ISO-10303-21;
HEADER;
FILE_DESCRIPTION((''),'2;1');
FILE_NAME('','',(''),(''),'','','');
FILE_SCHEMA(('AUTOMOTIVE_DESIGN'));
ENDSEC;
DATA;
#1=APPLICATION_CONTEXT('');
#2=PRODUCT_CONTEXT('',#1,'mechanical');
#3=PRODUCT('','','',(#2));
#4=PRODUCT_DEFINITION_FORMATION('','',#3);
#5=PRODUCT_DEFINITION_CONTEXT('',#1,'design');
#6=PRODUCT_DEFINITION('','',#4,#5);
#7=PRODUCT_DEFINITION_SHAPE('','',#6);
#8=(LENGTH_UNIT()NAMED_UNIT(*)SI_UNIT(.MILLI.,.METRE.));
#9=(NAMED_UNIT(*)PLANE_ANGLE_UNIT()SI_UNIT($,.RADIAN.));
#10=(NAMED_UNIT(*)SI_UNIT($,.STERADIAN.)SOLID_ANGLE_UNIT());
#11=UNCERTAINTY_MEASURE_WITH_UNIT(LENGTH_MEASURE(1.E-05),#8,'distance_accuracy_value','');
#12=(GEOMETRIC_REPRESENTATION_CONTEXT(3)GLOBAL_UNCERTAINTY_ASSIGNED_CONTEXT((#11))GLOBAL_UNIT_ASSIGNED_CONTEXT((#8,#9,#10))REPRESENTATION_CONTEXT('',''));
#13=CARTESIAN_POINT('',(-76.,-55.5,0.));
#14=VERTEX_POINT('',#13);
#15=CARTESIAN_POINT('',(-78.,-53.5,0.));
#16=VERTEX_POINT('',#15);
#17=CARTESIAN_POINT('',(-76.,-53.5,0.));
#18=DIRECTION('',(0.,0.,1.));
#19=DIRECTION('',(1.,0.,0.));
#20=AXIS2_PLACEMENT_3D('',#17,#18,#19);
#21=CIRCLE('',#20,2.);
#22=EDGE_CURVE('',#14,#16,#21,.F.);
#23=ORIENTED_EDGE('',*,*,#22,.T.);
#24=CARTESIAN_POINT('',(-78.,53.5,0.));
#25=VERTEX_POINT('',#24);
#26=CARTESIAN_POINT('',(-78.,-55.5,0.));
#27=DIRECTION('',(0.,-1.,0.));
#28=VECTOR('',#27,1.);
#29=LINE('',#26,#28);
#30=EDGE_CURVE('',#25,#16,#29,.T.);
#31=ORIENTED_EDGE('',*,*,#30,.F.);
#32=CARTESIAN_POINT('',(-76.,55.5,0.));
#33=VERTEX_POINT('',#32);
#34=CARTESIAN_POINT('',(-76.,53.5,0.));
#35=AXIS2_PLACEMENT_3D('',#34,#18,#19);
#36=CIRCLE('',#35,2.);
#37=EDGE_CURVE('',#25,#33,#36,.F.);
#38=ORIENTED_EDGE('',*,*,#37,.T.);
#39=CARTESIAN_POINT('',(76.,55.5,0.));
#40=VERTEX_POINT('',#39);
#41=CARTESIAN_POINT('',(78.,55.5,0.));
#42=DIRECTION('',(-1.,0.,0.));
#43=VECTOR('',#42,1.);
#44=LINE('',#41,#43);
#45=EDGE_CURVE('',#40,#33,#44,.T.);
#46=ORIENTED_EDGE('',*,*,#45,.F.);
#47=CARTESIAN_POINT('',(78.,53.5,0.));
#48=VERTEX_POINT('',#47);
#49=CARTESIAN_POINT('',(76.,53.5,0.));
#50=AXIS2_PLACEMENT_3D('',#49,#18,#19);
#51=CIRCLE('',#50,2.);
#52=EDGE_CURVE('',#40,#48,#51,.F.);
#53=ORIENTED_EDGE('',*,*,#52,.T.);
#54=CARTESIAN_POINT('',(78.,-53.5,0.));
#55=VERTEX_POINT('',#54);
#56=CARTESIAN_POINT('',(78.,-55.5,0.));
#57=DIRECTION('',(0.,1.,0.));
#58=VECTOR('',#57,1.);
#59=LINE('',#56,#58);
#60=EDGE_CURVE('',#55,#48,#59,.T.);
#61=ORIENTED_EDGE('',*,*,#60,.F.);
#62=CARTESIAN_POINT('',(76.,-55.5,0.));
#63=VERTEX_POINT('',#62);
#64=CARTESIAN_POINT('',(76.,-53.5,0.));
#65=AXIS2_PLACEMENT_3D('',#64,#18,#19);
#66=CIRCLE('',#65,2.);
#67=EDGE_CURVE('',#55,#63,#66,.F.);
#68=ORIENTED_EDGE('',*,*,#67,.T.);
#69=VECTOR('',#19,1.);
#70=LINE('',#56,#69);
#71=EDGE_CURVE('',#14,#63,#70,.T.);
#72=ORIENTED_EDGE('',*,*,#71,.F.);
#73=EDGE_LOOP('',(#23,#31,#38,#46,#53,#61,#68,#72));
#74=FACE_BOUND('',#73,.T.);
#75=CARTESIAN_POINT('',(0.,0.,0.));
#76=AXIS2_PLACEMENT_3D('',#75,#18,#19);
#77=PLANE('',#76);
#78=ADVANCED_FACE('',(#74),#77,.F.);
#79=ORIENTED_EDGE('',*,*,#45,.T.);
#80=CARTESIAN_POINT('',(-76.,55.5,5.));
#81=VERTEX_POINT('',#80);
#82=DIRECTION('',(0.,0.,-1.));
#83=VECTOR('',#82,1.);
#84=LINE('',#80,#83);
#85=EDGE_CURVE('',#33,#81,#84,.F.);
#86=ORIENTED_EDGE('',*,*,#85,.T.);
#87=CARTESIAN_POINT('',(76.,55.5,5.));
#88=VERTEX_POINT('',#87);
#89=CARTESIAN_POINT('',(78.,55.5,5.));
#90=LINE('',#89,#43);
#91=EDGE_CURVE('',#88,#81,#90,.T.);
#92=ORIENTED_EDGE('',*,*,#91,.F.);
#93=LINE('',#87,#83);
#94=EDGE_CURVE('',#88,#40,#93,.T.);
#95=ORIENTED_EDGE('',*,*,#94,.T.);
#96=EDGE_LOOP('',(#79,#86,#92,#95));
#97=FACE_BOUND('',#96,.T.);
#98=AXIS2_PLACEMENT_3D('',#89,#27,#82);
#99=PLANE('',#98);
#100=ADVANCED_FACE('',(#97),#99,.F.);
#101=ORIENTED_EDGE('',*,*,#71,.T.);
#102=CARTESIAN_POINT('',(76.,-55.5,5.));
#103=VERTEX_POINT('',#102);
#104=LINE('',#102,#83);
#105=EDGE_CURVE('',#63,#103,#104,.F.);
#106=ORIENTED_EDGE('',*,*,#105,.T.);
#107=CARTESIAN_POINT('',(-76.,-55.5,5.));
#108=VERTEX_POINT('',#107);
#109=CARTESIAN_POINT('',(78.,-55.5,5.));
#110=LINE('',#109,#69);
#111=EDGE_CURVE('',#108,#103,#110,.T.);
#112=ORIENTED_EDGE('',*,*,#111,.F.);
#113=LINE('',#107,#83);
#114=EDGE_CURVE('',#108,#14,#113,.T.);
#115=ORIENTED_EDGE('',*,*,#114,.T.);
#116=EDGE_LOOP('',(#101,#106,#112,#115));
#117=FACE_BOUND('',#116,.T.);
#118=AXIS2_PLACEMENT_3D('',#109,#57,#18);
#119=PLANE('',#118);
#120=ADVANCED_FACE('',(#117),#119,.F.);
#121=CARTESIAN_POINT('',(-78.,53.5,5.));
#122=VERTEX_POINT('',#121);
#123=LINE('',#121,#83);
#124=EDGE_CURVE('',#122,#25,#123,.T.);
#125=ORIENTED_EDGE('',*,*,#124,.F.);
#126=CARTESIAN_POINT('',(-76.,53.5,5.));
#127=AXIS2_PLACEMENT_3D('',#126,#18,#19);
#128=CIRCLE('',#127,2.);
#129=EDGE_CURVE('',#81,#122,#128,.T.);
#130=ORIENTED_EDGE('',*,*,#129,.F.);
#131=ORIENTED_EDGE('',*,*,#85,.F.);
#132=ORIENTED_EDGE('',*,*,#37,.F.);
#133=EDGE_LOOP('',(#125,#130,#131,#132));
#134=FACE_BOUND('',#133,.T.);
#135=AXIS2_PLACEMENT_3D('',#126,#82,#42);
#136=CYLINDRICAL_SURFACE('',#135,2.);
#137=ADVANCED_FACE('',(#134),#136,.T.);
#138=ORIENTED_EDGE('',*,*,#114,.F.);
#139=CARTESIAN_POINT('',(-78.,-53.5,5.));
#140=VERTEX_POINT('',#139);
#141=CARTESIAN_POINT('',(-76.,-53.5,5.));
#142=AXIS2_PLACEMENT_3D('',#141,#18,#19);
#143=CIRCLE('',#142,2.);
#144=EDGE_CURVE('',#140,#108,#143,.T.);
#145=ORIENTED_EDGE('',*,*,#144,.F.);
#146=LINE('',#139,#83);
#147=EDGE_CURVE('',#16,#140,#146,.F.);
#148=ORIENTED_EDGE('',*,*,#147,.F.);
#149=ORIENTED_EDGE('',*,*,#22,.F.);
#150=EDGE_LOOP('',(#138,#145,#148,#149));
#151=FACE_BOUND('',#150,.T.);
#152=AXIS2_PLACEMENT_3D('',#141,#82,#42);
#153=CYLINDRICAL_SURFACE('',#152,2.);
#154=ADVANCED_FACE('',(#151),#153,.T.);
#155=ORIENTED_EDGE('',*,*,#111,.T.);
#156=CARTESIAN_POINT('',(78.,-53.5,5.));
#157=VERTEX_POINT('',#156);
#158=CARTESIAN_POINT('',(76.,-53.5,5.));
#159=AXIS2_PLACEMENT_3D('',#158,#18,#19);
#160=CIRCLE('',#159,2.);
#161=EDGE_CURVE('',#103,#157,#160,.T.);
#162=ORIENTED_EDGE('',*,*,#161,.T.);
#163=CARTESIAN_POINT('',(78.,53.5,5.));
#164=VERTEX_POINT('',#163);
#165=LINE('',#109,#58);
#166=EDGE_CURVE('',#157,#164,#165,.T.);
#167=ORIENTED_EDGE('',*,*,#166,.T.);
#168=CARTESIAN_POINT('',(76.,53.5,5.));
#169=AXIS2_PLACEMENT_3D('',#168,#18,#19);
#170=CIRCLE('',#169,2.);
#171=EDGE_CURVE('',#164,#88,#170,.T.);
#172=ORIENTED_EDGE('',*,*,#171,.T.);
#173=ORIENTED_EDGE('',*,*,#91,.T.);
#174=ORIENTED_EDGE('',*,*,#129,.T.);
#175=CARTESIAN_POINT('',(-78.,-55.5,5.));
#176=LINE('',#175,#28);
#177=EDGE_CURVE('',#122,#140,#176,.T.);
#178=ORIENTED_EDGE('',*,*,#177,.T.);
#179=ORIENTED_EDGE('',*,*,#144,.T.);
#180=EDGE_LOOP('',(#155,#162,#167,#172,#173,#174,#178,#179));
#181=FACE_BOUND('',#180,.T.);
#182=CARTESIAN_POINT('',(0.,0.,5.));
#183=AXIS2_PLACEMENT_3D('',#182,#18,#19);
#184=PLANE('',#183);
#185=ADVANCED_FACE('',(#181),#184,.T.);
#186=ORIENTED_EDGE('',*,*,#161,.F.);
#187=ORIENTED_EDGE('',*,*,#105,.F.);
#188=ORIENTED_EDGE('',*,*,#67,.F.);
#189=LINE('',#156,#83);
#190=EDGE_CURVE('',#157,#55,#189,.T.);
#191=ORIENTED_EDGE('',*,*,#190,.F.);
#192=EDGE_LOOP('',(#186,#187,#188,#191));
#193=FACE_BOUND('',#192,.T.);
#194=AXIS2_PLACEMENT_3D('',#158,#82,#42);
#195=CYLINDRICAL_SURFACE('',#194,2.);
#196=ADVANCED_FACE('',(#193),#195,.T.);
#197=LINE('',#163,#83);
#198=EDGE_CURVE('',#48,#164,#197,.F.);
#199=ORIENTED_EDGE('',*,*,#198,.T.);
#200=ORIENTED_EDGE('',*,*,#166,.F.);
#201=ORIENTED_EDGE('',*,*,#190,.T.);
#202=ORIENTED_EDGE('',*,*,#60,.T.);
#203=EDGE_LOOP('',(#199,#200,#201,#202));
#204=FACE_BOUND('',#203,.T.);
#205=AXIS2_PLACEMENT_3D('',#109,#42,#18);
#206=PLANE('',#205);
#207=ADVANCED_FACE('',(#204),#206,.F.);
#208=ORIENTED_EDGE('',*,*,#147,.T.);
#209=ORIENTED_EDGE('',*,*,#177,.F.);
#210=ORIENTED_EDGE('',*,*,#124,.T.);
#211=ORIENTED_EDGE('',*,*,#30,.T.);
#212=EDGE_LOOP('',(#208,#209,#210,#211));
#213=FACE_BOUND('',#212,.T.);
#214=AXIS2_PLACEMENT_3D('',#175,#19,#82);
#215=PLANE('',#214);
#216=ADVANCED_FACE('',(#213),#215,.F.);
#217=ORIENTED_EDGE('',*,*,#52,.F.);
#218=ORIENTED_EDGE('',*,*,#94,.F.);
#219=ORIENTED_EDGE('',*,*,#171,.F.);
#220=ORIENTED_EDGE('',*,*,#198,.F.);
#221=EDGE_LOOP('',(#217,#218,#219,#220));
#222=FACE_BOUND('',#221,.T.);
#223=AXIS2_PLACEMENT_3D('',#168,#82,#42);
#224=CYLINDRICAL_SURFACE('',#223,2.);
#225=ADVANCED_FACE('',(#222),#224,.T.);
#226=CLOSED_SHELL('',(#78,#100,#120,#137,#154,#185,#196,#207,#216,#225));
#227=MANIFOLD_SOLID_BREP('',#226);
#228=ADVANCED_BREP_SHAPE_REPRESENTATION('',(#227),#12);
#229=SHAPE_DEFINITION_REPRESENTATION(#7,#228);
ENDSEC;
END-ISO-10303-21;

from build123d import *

# Parameters (mm, degrees)
SKETCH2_W           = 156
SKETCH2_H           = 111
BOSS_EXTRUDE1_DEPTH = 5
FILLET1_R           = 2


with BuildPart() as part:
    # Sketch2 → Boss-Extrude1 (new body)
    with BuildSketch(Plane.XY):
        Rectangle(SKETCH2_W, SKETCH2_H)
    extrude(amount=BOSS_EXTRUDE1_DEPTH)

    # Fillet1
    fillet1_edges = [part.edges().sort_by_distance(p)[0] for p in [
        (-78, 55.5, 2.5),
        (78, 55.5, 2.5),
        (78, -55.5, 2.5),
        (-78, -55.5, 2.5),
    ]]
    fillet(fillet1_edges, radius=FILLET1_R)


solid = part.part
